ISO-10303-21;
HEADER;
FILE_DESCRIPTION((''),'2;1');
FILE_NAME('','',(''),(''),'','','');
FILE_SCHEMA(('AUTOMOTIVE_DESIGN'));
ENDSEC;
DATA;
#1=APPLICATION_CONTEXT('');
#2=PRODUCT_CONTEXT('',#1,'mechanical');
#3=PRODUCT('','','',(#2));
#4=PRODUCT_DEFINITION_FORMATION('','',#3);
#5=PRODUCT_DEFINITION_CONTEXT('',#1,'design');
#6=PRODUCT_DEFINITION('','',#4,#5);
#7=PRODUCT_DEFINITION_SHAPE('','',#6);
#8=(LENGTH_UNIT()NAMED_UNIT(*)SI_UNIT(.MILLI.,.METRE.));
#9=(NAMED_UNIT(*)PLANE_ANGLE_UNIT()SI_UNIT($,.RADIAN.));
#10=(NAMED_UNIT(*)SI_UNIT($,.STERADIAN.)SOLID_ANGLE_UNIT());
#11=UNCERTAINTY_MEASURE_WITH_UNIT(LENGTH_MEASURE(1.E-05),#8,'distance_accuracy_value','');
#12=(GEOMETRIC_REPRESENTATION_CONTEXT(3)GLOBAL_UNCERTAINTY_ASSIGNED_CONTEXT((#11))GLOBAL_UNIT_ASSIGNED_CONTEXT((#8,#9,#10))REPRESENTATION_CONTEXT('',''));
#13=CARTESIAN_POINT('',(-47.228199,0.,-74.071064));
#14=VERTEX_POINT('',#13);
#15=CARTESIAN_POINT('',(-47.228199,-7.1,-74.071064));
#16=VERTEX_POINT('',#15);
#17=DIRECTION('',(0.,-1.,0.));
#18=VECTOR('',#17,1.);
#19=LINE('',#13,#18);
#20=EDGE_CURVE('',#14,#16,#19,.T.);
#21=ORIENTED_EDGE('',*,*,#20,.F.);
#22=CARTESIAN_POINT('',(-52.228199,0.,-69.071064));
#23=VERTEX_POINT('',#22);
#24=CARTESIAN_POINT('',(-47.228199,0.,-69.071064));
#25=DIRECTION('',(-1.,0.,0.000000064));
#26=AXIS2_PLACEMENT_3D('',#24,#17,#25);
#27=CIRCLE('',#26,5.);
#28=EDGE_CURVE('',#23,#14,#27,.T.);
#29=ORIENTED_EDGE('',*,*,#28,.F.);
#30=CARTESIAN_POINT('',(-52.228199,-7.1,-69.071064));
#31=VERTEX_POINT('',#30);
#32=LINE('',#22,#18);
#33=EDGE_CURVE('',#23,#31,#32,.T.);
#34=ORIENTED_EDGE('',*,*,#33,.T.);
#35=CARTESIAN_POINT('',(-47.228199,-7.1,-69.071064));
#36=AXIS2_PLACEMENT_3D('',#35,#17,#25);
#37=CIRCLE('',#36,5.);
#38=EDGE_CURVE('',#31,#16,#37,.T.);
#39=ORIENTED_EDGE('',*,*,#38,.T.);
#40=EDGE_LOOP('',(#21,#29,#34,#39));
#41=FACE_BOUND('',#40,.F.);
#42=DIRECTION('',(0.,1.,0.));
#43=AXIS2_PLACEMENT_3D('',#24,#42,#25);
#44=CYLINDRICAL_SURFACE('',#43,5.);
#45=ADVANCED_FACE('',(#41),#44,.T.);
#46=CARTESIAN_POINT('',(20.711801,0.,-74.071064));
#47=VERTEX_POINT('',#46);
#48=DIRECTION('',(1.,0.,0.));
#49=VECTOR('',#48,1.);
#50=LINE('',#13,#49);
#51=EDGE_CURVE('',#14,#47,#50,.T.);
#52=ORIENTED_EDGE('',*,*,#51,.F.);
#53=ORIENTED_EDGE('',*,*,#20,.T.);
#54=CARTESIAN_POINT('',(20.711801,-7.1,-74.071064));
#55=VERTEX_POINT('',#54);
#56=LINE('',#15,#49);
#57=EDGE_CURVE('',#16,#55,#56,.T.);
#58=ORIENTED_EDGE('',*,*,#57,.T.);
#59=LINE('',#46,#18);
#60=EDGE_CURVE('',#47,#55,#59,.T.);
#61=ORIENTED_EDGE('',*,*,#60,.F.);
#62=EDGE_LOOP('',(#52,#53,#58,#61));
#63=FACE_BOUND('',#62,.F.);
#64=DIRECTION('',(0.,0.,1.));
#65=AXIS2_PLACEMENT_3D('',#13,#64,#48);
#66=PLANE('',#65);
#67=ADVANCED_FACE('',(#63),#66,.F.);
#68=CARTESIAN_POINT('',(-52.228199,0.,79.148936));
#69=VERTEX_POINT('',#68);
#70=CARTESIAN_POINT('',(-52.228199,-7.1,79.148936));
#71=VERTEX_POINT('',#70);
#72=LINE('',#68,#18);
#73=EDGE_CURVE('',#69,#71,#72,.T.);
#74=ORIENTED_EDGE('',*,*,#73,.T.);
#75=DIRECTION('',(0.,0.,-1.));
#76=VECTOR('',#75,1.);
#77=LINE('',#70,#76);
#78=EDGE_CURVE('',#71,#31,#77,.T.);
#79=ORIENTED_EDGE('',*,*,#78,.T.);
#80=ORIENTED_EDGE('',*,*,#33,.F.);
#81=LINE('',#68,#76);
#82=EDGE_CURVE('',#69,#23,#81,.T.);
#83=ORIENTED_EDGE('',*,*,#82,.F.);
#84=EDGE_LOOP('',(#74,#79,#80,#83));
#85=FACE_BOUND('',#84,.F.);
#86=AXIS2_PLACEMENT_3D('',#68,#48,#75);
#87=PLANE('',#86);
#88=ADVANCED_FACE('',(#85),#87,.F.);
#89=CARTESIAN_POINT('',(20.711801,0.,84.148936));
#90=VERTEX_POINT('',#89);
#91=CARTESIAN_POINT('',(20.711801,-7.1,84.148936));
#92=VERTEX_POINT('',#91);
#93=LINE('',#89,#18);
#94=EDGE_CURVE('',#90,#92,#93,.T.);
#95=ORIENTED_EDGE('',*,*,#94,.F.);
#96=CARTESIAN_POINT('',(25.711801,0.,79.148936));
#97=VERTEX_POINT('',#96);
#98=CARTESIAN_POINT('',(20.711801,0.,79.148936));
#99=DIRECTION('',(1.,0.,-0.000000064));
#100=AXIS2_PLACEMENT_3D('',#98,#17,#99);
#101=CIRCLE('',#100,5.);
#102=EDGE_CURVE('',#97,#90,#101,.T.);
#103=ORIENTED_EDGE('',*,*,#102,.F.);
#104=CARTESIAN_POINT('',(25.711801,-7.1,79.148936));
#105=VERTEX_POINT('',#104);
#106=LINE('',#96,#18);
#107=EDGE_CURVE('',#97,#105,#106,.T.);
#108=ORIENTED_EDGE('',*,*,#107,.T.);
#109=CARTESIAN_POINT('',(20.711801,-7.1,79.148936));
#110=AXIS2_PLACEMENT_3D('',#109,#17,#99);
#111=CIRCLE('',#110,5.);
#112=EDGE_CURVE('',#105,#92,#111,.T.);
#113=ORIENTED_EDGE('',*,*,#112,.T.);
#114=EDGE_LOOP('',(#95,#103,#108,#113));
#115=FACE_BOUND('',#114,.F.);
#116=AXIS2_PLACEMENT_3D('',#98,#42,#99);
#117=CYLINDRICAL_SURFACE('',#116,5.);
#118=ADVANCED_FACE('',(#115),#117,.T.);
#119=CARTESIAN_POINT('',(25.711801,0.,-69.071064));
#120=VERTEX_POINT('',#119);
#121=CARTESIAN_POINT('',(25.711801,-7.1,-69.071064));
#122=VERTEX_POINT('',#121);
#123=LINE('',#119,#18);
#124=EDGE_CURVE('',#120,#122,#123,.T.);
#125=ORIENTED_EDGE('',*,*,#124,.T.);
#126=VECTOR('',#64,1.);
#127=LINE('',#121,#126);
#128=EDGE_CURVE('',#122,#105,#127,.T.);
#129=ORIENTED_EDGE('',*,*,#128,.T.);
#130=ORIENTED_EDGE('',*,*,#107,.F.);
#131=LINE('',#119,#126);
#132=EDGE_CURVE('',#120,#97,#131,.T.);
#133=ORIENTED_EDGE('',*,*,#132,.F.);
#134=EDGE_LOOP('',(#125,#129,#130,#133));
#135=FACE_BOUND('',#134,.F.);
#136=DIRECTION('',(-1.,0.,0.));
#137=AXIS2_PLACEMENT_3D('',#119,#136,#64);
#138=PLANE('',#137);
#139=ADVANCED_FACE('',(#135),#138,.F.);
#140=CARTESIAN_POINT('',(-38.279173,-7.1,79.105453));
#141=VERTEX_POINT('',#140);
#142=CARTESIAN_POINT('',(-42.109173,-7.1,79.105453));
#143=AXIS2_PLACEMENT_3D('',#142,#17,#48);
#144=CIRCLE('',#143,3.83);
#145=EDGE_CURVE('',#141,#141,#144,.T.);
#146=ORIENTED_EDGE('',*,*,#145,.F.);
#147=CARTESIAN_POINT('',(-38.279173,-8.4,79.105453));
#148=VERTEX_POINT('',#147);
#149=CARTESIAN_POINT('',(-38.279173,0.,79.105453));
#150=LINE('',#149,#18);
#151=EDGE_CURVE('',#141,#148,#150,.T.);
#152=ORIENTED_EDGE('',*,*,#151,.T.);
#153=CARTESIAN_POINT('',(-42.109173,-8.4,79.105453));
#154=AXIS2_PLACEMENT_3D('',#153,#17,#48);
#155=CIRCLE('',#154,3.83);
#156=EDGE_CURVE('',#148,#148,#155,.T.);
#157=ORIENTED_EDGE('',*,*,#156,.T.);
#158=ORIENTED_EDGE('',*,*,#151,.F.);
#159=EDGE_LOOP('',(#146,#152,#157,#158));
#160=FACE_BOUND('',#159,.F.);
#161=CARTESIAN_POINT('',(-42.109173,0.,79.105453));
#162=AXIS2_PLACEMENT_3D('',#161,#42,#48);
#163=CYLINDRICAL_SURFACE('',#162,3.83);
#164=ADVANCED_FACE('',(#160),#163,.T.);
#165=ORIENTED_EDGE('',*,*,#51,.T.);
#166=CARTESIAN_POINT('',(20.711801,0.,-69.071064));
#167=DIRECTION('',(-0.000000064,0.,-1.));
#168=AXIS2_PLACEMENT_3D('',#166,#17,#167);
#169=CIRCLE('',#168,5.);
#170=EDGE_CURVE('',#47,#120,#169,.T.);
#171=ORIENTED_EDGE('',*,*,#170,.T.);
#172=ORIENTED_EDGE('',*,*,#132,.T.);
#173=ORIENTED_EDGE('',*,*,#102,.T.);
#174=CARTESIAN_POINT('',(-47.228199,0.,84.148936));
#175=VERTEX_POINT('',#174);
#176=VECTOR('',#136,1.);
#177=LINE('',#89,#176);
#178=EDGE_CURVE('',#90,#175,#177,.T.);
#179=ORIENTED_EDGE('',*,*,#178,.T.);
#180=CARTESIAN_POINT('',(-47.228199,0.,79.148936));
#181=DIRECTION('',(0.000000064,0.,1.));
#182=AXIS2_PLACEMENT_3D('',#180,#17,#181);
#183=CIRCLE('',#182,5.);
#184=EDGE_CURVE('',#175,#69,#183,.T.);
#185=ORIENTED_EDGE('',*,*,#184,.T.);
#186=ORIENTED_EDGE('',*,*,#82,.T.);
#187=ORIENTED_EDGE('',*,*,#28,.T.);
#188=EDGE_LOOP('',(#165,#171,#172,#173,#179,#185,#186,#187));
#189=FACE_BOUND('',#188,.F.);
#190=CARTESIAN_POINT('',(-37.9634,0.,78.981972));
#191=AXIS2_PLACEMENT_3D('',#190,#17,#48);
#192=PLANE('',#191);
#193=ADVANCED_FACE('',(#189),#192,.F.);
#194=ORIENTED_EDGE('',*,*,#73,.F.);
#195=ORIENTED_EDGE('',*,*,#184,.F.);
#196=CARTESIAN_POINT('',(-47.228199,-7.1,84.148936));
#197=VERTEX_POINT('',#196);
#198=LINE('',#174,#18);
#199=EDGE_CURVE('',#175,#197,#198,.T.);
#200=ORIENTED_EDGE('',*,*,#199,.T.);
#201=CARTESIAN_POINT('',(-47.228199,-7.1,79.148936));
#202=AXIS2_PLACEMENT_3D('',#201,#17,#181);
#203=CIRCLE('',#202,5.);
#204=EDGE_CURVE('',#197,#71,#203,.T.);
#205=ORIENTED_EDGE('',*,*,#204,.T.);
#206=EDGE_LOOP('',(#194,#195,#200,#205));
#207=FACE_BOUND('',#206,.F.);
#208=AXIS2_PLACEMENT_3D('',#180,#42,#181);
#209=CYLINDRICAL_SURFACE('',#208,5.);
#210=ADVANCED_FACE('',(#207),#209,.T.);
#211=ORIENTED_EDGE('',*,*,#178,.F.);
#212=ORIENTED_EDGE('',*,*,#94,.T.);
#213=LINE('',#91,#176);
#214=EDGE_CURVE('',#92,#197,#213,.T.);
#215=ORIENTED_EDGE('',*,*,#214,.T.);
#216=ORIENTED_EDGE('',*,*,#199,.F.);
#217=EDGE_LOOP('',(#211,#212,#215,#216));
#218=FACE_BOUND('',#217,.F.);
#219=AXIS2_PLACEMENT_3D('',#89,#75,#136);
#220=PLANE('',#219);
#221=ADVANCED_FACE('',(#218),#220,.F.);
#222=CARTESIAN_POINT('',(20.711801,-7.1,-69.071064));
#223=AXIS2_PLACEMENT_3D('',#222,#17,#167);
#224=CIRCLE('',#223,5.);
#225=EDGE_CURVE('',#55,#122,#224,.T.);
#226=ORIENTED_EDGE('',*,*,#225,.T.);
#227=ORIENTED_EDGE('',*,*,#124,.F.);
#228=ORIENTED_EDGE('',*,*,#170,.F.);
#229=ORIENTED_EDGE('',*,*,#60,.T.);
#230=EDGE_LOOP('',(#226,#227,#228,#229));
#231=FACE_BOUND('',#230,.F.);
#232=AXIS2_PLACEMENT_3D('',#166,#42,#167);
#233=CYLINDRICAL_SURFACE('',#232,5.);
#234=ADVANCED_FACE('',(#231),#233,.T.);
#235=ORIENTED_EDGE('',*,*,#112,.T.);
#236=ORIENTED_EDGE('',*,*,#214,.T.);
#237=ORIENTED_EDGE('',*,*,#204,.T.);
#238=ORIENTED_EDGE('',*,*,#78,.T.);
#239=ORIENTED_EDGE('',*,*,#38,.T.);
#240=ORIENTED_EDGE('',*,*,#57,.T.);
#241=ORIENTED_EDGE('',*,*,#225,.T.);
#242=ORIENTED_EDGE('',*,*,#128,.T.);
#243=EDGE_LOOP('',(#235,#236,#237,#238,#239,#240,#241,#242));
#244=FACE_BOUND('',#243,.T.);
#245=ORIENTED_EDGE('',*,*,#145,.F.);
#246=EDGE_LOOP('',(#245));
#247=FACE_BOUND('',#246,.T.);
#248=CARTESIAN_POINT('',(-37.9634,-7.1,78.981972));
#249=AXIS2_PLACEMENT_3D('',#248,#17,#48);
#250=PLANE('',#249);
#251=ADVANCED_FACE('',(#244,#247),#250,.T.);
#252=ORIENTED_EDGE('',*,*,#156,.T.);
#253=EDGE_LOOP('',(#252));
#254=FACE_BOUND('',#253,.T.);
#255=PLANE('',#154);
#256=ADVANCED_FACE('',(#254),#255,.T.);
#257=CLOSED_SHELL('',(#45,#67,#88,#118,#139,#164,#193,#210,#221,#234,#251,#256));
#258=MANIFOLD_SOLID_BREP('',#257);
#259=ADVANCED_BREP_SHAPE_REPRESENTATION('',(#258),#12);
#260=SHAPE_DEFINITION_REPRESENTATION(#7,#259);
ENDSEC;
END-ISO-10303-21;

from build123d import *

# Parameters (mm, degrees)
F0_R     = 3.83
F1_DEPTH = 8.4
F0_R_2   = 2.055
F2_DEPTH = 7.1


with BuildPart() as f1:
    # F0 (on Front) → F1 (new body)
    with BuildSketch(Plane.XZ):
        with Locations((-42.109173, 79.105453)):
            Circle(F0_R)
    extrude(amount=F1_DEPTH)

    # F0 (on Front) → F2 (join)
    with BuildSketch(Plane.XZ):
        with BuildLine():
            ThreePointArc((-47.228199, 84.148936), (-50.763733, 82.68447), (-52.228199, 79.148936))
            Line((-52.228199, 79.148936), (-52.228199, 74.180111))
            Line((-52.228199, 74.180111), (-24.604708, 74.180111))
            Line((-24.604708, 74.180111), (-24.604708, 84.148936))
            Line((-24.604708, 84.148936), (-47.228199, 84.148936))
        make_face()
        with Locations((-42.109173, 79.105453)):
            Circle(F0_R, mode=Mode.SUBTRACT)
        with Locations((-30.049173, 79.053629)):
            Circle(F0_R_2, mode=Mode.SUBTRACT)
        with BuildLine():
            Line((-24.604708, 74.180111), (-52.228199, 74.180111))
            Line((-52.228199, 74.180111), (-52.228199, -69.071064))
            ThreePointArc((-52.228199, -69.071064), (-50.763733, -72.606598), (-47.228199, -74.071064))
            Line((-47.228199, -74.071064), (20.711801, -74.071064))
            ThreePointArc((20.711801, -74.071064), (24.247335, -72.606598), (25.711801, -69.071064))
            Line((25.711801, -69.071064), (25.711801, 79.148936))
            ThreePointArc((25.711801, 79.148936), (24.247335, 82.68447), (20.711801, 84.148936))
            Line((20.711801, 84.148936), (-24.604708, 84.148936))
            Line((-24.604708, 84.148936), (-24.604708, 74.180111))
        make_face()
        with Locations((-30.049173, 79.053629)):
            Circle(F0_R_2)
    extrude(amount=F2_DEPTH)


solid = f1.part
